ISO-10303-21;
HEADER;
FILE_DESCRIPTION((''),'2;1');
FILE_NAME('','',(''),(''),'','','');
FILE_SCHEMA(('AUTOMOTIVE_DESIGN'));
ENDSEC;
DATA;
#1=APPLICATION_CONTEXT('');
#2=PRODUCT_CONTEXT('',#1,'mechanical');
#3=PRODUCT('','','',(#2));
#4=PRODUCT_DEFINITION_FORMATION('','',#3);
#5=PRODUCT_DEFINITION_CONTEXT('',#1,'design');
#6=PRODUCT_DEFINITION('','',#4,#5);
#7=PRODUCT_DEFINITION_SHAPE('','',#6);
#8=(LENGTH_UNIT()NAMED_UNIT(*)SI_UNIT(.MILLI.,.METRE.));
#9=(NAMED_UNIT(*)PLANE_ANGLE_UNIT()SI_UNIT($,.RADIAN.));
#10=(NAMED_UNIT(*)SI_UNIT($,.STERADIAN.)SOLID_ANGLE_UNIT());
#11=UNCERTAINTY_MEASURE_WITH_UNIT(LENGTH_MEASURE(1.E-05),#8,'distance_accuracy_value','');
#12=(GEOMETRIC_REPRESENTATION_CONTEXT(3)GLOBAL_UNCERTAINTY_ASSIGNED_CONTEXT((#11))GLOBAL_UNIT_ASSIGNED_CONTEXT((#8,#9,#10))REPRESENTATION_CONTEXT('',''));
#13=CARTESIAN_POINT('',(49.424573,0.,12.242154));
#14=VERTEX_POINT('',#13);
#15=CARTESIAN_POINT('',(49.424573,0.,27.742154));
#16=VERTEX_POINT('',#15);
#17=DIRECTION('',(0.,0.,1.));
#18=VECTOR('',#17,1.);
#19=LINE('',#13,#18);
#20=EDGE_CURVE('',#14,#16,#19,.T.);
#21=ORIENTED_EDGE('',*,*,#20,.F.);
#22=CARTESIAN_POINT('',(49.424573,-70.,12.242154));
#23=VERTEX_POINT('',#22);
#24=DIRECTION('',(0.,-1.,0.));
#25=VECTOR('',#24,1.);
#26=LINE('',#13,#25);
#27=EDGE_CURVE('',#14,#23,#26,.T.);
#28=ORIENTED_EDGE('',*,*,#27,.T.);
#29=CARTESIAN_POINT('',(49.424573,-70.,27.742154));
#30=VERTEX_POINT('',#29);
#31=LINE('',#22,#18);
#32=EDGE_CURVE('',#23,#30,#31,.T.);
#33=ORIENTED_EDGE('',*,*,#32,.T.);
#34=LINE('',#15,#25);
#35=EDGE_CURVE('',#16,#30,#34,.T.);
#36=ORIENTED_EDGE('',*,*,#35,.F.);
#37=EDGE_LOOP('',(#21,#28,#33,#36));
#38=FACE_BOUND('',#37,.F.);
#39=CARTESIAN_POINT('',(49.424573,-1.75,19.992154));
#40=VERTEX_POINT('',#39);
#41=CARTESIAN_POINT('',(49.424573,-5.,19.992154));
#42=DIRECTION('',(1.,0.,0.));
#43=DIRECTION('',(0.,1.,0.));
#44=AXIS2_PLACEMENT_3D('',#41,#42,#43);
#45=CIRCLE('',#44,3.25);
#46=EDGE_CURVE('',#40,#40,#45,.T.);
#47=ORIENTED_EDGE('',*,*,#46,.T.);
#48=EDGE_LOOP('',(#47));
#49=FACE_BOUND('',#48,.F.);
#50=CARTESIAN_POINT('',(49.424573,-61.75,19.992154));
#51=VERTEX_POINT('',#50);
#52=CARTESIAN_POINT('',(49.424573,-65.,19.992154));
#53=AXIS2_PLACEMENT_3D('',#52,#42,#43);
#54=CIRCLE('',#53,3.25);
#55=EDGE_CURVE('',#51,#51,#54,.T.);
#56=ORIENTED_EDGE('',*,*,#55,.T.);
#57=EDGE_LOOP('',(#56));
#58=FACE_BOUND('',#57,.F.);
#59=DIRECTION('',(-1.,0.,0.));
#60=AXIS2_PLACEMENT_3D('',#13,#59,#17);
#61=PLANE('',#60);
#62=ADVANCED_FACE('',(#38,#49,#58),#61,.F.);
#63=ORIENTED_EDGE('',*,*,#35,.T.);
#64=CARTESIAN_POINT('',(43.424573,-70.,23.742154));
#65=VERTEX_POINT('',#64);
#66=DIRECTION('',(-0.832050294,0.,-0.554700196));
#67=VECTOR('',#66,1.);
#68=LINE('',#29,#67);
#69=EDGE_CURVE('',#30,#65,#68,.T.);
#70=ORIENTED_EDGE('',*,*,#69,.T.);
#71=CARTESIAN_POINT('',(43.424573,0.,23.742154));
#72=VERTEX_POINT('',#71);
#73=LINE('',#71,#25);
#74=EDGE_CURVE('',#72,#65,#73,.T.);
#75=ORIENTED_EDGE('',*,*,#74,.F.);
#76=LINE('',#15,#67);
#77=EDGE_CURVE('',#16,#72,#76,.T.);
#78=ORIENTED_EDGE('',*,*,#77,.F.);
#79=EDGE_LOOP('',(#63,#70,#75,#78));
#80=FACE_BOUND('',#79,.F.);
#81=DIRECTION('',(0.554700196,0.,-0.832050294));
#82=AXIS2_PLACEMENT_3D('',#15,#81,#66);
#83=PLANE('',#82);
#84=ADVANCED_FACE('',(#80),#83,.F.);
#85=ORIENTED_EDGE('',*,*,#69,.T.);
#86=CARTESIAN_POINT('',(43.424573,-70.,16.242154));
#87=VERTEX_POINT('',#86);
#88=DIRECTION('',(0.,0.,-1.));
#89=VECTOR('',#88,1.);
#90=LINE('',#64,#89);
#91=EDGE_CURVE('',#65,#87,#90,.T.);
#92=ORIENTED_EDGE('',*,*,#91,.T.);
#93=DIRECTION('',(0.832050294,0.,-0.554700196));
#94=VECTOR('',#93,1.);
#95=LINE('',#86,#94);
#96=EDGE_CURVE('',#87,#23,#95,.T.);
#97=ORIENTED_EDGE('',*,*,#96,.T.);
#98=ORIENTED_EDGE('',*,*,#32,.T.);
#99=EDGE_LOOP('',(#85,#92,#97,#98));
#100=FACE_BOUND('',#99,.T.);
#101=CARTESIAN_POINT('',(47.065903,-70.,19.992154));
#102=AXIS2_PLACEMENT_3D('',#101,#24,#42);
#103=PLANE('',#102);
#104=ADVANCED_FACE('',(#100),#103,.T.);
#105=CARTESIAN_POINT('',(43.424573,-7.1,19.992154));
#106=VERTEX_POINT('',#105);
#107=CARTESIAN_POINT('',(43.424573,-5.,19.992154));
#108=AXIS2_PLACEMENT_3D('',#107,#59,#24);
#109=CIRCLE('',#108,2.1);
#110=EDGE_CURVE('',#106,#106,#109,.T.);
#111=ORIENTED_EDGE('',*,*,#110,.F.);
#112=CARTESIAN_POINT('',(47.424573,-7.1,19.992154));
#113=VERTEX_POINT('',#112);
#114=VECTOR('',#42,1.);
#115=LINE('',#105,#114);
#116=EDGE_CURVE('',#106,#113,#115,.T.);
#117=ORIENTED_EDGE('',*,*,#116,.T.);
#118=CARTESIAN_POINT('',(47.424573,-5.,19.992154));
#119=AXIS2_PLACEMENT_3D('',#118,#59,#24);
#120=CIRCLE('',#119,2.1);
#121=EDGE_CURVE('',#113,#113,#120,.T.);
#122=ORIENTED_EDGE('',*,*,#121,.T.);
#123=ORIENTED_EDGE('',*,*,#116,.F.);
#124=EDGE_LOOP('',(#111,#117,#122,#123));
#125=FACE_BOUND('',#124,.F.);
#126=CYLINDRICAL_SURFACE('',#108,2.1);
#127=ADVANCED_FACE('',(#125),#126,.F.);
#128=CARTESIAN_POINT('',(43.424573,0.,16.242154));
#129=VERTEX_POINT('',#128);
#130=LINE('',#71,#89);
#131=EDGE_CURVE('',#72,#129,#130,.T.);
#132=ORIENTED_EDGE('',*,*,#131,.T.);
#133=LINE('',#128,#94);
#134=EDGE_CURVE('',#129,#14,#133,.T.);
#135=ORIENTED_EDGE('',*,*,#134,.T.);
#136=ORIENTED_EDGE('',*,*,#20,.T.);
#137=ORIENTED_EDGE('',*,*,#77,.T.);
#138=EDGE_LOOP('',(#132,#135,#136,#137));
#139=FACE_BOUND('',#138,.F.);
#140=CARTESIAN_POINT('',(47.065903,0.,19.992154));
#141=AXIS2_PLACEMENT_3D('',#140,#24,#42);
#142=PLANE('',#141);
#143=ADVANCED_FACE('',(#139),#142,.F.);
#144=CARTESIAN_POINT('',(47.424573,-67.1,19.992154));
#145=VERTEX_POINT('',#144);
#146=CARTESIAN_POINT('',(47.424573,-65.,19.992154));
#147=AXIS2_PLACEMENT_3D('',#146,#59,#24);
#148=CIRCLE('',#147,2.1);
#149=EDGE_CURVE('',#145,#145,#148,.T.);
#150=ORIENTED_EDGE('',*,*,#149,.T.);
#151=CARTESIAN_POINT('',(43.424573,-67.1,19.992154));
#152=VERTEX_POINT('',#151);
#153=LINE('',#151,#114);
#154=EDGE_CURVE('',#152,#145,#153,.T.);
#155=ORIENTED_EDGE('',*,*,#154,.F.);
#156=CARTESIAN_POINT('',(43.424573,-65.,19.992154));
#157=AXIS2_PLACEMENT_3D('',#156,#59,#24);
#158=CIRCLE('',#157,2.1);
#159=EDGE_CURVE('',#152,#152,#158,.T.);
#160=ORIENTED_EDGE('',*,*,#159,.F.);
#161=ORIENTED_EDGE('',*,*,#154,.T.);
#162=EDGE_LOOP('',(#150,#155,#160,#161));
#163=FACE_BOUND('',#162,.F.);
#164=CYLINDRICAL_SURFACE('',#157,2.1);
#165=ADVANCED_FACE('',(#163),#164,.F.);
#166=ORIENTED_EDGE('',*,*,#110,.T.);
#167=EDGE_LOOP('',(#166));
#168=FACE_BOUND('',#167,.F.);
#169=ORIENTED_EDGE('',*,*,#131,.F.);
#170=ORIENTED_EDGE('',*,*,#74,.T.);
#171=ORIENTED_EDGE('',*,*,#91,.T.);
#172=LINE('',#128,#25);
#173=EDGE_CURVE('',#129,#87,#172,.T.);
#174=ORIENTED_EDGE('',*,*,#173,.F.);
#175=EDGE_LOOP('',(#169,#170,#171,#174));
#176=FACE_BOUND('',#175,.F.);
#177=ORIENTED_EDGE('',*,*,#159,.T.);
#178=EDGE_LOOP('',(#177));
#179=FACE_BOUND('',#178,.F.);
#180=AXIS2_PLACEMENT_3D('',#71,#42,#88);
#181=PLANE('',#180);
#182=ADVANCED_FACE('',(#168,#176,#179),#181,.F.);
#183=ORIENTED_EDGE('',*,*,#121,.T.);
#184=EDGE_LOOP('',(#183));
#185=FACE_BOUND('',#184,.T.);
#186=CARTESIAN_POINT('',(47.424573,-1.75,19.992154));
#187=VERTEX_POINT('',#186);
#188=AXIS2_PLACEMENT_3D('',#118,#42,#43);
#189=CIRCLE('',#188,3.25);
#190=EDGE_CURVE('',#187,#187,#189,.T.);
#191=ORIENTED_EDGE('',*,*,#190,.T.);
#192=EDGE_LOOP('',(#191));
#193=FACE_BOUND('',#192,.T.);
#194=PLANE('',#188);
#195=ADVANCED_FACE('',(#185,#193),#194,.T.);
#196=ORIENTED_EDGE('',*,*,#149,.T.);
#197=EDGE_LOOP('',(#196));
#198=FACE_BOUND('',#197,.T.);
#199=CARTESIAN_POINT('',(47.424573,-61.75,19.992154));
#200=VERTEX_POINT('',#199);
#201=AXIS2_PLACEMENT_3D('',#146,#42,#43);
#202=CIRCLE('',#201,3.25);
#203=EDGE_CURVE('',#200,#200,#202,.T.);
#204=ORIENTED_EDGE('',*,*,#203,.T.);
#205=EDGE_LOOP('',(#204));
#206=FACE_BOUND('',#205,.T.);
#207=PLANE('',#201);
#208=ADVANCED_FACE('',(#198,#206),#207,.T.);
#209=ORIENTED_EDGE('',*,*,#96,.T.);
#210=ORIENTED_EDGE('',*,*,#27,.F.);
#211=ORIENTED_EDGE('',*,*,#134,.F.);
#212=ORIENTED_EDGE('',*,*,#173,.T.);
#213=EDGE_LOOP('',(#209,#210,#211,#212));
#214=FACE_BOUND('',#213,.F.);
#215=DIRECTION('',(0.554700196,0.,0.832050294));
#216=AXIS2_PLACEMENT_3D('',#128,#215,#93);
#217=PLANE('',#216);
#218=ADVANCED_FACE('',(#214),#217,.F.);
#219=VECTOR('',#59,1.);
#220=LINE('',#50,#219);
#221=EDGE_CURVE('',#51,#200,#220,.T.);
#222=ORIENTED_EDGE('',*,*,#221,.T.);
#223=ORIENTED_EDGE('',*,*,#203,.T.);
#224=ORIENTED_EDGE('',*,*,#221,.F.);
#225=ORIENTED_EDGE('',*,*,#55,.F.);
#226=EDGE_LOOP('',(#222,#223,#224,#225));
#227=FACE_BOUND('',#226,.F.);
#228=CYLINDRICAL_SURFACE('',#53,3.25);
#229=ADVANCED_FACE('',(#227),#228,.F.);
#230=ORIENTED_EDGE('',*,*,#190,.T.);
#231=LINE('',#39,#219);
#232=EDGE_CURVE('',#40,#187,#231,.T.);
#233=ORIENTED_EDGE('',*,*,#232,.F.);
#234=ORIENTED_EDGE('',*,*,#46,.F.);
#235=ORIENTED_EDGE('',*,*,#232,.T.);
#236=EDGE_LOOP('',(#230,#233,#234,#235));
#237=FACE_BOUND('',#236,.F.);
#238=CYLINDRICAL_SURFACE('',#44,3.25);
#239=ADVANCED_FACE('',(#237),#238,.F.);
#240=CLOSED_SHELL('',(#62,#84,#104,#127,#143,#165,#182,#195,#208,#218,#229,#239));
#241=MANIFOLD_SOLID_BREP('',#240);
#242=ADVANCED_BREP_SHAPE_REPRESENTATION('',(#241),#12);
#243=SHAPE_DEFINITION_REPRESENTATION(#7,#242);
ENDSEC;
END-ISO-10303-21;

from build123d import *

# Parameters (mm, degrees)
F1_DEPTH = 70
F2_R     = 3.25
F3_DEPTH = 2
F4_R     = 2.1
F5_DEPTH = 4


with BuildPart() as f1:
    # F0 (on Front) → F1 (new body)
    with BuildSketch(Plane.XZ):
        Polygon((49.424573, 12.242154), (49.424573, 27.742154), (43.424573, 23.742154), (43.424573, 16.242154), align=None)
    extrude(amount=F1_DEPTH)

    # F2 (on face) → F3 (cut)
    with BuildSketch(Plane.YZ.offset(49.424573)):
        with Locations((-65, 19.992154)):
            Circle(F2_R)
        with Locations((-5, 19.992154)):
            Circle(F2_R)
    extrude(amount=-F3_DEPTH, mode=Mode.SUBTRACT)

    # F4 (on face) → F5 (cut)
    with BuildSketch(Plane(origin=(43.424573, 0, 0), x_dir=(0, -1, 0), z_dir=(-1, 0, 0))):
        with Locations((5, 19.992154)):
            Circle(F4_R)
        with Locations((65, 19.992154)):
            Circle(F4_R)
    extrude(amount=-F5_DEPTH, mode=Mode.SUBTRACT)


solid = f1.part
